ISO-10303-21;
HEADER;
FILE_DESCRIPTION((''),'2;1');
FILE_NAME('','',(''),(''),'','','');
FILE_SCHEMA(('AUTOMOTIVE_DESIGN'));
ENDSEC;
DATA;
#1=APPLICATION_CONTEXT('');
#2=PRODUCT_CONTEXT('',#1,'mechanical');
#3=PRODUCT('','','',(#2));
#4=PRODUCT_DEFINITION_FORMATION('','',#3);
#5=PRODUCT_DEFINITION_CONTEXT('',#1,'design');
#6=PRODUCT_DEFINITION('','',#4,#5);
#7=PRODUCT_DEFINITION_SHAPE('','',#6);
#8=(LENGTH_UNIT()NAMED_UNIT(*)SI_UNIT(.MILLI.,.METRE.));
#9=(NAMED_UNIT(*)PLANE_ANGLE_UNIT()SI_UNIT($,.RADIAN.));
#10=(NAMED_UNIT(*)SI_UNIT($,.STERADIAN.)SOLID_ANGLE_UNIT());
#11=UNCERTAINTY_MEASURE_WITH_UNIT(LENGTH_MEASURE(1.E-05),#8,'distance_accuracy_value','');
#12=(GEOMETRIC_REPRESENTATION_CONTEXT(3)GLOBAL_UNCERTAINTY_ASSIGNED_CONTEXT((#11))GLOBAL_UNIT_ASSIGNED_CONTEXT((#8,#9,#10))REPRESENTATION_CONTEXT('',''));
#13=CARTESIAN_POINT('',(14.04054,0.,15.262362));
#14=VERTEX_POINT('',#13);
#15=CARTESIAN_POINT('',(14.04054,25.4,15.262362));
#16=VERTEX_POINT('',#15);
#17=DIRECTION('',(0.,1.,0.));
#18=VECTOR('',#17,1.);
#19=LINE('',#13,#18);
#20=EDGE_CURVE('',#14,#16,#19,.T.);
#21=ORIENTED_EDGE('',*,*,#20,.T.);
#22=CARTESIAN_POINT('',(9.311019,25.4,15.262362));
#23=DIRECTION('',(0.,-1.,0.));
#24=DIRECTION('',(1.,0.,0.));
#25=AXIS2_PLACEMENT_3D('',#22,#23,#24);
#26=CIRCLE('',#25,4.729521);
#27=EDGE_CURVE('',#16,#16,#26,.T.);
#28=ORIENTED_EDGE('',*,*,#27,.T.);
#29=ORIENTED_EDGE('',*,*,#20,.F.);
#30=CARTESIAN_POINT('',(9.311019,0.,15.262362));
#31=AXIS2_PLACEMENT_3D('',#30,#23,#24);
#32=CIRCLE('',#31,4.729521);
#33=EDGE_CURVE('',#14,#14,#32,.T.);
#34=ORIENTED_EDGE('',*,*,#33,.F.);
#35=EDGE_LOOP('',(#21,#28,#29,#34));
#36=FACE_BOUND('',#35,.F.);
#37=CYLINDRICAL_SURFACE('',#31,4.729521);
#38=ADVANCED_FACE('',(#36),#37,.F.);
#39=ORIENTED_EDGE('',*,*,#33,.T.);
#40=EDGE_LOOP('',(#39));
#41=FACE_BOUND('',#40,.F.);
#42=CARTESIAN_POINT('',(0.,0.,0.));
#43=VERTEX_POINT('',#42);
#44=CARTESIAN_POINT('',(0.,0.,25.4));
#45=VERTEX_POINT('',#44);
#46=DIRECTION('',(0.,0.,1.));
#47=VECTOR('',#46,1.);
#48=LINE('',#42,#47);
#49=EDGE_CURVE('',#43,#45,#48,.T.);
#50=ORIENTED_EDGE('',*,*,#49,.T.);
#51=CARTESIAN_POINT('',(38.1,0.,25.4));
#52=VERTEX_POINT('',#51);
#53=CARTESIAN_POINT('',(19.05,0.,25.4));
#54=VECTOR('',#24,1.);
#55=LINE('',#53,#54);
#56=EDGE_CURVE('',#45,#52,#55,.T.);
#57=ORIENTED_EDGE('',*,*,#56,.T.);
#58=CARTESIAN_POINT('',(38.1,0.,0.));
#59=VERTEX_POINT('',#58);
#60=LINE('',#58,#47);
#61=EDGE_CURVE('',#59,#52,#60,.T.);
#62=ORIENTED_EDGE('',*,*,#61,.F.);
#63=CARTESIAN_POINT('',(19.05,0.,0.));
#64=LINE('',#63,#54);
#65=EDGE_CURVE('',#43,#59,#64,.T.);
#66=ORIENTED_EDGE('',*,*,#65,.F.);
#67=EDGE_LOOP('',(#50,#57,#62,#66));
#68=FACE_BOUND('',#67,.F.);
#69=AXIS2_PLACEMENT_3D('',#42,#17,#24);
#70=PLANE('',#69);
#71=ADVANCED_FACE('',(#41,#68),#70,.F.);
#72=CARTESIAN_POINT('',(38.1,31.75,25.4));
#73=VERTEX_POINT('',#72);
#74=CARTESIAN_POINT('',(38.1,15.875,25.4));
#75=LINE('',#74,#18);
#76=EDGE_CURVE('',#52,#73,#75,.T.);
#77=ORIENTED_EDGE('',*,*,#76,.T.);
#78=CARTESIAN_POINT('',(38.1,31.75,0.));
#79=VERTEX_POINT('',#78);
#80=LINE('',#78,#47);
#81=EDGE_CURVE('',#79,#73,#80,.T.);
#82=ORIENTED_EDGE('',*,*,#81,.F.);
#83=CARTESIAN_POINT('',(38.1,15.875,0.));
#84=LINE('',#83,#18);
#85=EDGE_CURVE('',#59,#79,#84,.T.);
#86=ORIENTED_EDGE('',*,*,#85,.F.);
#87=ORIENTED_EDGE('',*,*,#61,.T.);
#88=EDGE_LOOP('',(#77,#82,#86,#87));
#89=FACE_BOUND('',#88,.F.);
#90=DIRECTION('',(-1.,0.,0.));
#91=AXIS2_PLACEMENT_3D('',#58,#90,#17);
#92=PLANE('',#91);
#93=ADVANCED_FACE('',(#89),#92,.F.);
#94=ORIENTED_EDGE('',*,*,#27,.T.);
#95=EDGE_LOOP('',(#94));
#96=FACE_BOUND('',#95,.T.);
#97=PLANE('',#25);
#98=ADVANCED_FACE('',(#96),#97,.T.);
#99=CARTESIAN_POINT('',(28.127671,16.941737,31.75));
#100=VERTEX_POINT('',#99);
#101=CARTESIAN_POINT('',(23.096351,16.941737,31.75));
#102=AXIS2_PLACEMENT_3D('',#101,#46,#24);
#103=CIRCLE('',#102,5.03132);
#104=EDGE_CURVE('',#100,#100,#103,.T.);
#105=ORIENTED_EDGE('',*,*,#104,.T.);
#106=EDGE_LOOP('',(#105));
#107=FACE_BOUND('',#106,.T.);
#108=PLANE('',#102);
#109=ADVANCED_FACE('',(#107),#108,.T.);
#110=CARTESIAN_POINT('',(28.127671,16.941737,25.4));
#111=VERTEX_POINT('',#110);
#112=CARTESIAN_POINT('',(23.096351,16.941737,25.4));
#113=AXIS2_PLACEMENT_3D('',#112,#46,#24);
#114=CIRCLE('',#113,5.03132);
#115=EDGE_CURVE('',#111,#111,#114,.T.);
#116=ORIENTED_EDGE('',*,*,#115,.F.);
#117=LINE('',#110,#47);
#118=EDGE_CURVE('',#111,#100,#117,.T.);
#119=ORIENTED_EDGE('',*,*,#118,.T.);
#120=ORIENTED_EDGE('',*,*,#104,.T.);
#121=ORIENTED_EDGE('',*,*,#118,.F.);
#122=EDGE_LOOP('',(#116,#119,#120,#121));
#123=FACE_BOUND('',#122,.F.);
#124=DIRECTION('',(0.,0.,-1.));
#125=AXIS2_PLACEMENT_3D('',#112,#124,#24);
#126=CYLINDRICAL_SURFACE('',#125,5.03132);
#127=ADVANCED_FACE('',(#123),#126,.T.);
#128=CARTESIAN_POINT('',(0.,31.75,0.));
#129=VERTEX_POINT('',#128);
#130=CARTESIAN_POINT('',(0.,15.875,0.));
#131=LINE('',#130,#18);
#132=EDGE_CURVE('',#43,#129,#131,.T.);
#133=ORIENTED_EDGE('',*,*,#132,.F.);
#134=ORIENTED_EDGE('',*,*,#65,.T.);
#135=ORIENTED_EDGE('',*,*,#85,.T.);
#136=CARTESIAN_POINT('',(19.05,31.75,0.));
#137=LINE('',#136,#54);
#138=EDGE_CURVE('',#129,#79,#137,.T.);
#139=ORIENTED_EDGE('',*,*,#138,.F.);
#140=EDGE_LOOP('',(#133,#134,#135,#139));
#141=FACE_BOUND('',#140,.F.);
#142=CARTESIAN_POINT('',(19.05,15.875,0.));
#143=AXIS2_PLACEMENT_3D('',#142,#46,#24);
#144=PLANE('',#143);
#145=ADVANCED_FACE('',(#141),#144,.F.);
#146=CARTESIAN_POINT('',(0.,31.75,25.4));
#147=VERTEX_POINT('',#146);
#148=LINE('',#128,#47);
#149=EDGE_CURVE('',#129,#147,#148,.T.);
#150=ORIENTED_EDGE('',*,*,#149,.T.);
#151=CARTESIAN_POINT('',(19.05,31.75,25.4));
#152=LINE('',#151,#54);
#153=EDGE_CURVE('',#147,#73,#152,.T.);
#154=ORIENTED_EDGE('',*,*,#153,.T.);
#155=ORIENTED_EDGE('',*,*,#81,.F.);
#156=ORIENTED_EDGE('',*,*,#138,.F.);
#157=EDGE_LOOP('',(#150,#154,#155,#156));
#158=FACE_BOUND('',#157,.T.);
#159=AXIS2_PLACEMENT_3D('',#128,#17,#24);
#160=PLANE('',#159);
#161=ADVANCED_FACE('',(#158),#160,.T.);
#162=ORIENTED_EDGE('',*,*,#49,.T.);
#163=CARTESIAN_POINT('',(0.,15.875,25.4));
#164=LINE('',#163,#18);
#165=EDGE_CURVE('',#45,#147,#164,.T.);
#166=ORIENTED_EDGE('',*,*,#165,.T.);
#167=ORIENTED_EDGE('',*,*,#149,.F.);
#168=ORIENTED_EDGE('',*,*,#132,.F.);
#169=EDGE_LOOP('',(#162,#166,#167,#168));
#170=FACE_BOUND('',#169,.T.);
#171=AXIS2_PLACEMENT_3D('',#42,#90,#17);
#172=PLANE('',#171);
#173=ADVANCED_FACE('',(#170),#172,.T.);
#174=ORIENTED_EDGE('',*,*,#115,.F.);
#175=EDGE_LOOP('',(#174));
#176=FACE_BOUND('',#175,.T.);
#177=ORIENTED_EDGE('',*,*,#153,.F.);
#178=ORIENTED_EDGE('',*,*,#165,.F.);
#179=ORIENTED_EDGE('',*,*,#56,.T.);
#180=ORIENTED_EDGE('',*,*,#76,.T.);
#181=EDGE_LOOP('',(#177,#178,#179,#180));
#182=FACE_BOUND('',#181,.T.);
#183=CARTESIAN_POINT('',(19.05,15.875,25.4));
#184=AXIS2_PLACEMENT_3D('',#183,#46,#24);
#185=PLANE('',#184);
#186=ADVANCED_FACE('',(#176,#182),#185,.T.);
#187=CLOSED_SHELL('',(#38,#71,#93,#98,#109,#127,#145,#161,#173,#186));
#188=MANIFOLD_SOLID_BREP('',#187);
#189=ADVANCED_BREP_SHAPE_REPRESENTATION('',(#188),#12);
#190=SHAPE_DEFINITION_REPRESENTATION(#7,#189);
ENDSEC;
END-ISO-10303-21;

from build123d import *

# Parameters (mm, degrees)
F0_W     = 38.1
F0_H     = 31.75
F1_DEPTH = 25.4
F2_R     = 4.729521
F3_DEPTH = 25.4
F4_R     = 5.03132
F5_DEPTH = 6.35


with BuildPart() as f1:
    # F0 (on Top) → F1 (new body)
    with BuildSketch(Plane.XY):
        with Locations((19.05, 15.875)):
            Rectangle(F0_W, F0_H)
    extrude(amount=F1_DEPTH)

    # F2 (on Front) → F3 (cut)
    with BuildSketch(Plane.XZ):
        with Locations((9.311019, 15.262362)):
            Circle(F2_R)
    extrude(amount=-F3_DEPTH, mode=Mode.SUBTRACT)

    # F4 (on face) → F5 (join)
    with BuildSketch(Plane.XY.offset(25.4)):
        with Locations((23.096351, 16.941737)):
            Circle(F4_R)
    extrude(amount=F5_DEPTH)


solid = f1.part
